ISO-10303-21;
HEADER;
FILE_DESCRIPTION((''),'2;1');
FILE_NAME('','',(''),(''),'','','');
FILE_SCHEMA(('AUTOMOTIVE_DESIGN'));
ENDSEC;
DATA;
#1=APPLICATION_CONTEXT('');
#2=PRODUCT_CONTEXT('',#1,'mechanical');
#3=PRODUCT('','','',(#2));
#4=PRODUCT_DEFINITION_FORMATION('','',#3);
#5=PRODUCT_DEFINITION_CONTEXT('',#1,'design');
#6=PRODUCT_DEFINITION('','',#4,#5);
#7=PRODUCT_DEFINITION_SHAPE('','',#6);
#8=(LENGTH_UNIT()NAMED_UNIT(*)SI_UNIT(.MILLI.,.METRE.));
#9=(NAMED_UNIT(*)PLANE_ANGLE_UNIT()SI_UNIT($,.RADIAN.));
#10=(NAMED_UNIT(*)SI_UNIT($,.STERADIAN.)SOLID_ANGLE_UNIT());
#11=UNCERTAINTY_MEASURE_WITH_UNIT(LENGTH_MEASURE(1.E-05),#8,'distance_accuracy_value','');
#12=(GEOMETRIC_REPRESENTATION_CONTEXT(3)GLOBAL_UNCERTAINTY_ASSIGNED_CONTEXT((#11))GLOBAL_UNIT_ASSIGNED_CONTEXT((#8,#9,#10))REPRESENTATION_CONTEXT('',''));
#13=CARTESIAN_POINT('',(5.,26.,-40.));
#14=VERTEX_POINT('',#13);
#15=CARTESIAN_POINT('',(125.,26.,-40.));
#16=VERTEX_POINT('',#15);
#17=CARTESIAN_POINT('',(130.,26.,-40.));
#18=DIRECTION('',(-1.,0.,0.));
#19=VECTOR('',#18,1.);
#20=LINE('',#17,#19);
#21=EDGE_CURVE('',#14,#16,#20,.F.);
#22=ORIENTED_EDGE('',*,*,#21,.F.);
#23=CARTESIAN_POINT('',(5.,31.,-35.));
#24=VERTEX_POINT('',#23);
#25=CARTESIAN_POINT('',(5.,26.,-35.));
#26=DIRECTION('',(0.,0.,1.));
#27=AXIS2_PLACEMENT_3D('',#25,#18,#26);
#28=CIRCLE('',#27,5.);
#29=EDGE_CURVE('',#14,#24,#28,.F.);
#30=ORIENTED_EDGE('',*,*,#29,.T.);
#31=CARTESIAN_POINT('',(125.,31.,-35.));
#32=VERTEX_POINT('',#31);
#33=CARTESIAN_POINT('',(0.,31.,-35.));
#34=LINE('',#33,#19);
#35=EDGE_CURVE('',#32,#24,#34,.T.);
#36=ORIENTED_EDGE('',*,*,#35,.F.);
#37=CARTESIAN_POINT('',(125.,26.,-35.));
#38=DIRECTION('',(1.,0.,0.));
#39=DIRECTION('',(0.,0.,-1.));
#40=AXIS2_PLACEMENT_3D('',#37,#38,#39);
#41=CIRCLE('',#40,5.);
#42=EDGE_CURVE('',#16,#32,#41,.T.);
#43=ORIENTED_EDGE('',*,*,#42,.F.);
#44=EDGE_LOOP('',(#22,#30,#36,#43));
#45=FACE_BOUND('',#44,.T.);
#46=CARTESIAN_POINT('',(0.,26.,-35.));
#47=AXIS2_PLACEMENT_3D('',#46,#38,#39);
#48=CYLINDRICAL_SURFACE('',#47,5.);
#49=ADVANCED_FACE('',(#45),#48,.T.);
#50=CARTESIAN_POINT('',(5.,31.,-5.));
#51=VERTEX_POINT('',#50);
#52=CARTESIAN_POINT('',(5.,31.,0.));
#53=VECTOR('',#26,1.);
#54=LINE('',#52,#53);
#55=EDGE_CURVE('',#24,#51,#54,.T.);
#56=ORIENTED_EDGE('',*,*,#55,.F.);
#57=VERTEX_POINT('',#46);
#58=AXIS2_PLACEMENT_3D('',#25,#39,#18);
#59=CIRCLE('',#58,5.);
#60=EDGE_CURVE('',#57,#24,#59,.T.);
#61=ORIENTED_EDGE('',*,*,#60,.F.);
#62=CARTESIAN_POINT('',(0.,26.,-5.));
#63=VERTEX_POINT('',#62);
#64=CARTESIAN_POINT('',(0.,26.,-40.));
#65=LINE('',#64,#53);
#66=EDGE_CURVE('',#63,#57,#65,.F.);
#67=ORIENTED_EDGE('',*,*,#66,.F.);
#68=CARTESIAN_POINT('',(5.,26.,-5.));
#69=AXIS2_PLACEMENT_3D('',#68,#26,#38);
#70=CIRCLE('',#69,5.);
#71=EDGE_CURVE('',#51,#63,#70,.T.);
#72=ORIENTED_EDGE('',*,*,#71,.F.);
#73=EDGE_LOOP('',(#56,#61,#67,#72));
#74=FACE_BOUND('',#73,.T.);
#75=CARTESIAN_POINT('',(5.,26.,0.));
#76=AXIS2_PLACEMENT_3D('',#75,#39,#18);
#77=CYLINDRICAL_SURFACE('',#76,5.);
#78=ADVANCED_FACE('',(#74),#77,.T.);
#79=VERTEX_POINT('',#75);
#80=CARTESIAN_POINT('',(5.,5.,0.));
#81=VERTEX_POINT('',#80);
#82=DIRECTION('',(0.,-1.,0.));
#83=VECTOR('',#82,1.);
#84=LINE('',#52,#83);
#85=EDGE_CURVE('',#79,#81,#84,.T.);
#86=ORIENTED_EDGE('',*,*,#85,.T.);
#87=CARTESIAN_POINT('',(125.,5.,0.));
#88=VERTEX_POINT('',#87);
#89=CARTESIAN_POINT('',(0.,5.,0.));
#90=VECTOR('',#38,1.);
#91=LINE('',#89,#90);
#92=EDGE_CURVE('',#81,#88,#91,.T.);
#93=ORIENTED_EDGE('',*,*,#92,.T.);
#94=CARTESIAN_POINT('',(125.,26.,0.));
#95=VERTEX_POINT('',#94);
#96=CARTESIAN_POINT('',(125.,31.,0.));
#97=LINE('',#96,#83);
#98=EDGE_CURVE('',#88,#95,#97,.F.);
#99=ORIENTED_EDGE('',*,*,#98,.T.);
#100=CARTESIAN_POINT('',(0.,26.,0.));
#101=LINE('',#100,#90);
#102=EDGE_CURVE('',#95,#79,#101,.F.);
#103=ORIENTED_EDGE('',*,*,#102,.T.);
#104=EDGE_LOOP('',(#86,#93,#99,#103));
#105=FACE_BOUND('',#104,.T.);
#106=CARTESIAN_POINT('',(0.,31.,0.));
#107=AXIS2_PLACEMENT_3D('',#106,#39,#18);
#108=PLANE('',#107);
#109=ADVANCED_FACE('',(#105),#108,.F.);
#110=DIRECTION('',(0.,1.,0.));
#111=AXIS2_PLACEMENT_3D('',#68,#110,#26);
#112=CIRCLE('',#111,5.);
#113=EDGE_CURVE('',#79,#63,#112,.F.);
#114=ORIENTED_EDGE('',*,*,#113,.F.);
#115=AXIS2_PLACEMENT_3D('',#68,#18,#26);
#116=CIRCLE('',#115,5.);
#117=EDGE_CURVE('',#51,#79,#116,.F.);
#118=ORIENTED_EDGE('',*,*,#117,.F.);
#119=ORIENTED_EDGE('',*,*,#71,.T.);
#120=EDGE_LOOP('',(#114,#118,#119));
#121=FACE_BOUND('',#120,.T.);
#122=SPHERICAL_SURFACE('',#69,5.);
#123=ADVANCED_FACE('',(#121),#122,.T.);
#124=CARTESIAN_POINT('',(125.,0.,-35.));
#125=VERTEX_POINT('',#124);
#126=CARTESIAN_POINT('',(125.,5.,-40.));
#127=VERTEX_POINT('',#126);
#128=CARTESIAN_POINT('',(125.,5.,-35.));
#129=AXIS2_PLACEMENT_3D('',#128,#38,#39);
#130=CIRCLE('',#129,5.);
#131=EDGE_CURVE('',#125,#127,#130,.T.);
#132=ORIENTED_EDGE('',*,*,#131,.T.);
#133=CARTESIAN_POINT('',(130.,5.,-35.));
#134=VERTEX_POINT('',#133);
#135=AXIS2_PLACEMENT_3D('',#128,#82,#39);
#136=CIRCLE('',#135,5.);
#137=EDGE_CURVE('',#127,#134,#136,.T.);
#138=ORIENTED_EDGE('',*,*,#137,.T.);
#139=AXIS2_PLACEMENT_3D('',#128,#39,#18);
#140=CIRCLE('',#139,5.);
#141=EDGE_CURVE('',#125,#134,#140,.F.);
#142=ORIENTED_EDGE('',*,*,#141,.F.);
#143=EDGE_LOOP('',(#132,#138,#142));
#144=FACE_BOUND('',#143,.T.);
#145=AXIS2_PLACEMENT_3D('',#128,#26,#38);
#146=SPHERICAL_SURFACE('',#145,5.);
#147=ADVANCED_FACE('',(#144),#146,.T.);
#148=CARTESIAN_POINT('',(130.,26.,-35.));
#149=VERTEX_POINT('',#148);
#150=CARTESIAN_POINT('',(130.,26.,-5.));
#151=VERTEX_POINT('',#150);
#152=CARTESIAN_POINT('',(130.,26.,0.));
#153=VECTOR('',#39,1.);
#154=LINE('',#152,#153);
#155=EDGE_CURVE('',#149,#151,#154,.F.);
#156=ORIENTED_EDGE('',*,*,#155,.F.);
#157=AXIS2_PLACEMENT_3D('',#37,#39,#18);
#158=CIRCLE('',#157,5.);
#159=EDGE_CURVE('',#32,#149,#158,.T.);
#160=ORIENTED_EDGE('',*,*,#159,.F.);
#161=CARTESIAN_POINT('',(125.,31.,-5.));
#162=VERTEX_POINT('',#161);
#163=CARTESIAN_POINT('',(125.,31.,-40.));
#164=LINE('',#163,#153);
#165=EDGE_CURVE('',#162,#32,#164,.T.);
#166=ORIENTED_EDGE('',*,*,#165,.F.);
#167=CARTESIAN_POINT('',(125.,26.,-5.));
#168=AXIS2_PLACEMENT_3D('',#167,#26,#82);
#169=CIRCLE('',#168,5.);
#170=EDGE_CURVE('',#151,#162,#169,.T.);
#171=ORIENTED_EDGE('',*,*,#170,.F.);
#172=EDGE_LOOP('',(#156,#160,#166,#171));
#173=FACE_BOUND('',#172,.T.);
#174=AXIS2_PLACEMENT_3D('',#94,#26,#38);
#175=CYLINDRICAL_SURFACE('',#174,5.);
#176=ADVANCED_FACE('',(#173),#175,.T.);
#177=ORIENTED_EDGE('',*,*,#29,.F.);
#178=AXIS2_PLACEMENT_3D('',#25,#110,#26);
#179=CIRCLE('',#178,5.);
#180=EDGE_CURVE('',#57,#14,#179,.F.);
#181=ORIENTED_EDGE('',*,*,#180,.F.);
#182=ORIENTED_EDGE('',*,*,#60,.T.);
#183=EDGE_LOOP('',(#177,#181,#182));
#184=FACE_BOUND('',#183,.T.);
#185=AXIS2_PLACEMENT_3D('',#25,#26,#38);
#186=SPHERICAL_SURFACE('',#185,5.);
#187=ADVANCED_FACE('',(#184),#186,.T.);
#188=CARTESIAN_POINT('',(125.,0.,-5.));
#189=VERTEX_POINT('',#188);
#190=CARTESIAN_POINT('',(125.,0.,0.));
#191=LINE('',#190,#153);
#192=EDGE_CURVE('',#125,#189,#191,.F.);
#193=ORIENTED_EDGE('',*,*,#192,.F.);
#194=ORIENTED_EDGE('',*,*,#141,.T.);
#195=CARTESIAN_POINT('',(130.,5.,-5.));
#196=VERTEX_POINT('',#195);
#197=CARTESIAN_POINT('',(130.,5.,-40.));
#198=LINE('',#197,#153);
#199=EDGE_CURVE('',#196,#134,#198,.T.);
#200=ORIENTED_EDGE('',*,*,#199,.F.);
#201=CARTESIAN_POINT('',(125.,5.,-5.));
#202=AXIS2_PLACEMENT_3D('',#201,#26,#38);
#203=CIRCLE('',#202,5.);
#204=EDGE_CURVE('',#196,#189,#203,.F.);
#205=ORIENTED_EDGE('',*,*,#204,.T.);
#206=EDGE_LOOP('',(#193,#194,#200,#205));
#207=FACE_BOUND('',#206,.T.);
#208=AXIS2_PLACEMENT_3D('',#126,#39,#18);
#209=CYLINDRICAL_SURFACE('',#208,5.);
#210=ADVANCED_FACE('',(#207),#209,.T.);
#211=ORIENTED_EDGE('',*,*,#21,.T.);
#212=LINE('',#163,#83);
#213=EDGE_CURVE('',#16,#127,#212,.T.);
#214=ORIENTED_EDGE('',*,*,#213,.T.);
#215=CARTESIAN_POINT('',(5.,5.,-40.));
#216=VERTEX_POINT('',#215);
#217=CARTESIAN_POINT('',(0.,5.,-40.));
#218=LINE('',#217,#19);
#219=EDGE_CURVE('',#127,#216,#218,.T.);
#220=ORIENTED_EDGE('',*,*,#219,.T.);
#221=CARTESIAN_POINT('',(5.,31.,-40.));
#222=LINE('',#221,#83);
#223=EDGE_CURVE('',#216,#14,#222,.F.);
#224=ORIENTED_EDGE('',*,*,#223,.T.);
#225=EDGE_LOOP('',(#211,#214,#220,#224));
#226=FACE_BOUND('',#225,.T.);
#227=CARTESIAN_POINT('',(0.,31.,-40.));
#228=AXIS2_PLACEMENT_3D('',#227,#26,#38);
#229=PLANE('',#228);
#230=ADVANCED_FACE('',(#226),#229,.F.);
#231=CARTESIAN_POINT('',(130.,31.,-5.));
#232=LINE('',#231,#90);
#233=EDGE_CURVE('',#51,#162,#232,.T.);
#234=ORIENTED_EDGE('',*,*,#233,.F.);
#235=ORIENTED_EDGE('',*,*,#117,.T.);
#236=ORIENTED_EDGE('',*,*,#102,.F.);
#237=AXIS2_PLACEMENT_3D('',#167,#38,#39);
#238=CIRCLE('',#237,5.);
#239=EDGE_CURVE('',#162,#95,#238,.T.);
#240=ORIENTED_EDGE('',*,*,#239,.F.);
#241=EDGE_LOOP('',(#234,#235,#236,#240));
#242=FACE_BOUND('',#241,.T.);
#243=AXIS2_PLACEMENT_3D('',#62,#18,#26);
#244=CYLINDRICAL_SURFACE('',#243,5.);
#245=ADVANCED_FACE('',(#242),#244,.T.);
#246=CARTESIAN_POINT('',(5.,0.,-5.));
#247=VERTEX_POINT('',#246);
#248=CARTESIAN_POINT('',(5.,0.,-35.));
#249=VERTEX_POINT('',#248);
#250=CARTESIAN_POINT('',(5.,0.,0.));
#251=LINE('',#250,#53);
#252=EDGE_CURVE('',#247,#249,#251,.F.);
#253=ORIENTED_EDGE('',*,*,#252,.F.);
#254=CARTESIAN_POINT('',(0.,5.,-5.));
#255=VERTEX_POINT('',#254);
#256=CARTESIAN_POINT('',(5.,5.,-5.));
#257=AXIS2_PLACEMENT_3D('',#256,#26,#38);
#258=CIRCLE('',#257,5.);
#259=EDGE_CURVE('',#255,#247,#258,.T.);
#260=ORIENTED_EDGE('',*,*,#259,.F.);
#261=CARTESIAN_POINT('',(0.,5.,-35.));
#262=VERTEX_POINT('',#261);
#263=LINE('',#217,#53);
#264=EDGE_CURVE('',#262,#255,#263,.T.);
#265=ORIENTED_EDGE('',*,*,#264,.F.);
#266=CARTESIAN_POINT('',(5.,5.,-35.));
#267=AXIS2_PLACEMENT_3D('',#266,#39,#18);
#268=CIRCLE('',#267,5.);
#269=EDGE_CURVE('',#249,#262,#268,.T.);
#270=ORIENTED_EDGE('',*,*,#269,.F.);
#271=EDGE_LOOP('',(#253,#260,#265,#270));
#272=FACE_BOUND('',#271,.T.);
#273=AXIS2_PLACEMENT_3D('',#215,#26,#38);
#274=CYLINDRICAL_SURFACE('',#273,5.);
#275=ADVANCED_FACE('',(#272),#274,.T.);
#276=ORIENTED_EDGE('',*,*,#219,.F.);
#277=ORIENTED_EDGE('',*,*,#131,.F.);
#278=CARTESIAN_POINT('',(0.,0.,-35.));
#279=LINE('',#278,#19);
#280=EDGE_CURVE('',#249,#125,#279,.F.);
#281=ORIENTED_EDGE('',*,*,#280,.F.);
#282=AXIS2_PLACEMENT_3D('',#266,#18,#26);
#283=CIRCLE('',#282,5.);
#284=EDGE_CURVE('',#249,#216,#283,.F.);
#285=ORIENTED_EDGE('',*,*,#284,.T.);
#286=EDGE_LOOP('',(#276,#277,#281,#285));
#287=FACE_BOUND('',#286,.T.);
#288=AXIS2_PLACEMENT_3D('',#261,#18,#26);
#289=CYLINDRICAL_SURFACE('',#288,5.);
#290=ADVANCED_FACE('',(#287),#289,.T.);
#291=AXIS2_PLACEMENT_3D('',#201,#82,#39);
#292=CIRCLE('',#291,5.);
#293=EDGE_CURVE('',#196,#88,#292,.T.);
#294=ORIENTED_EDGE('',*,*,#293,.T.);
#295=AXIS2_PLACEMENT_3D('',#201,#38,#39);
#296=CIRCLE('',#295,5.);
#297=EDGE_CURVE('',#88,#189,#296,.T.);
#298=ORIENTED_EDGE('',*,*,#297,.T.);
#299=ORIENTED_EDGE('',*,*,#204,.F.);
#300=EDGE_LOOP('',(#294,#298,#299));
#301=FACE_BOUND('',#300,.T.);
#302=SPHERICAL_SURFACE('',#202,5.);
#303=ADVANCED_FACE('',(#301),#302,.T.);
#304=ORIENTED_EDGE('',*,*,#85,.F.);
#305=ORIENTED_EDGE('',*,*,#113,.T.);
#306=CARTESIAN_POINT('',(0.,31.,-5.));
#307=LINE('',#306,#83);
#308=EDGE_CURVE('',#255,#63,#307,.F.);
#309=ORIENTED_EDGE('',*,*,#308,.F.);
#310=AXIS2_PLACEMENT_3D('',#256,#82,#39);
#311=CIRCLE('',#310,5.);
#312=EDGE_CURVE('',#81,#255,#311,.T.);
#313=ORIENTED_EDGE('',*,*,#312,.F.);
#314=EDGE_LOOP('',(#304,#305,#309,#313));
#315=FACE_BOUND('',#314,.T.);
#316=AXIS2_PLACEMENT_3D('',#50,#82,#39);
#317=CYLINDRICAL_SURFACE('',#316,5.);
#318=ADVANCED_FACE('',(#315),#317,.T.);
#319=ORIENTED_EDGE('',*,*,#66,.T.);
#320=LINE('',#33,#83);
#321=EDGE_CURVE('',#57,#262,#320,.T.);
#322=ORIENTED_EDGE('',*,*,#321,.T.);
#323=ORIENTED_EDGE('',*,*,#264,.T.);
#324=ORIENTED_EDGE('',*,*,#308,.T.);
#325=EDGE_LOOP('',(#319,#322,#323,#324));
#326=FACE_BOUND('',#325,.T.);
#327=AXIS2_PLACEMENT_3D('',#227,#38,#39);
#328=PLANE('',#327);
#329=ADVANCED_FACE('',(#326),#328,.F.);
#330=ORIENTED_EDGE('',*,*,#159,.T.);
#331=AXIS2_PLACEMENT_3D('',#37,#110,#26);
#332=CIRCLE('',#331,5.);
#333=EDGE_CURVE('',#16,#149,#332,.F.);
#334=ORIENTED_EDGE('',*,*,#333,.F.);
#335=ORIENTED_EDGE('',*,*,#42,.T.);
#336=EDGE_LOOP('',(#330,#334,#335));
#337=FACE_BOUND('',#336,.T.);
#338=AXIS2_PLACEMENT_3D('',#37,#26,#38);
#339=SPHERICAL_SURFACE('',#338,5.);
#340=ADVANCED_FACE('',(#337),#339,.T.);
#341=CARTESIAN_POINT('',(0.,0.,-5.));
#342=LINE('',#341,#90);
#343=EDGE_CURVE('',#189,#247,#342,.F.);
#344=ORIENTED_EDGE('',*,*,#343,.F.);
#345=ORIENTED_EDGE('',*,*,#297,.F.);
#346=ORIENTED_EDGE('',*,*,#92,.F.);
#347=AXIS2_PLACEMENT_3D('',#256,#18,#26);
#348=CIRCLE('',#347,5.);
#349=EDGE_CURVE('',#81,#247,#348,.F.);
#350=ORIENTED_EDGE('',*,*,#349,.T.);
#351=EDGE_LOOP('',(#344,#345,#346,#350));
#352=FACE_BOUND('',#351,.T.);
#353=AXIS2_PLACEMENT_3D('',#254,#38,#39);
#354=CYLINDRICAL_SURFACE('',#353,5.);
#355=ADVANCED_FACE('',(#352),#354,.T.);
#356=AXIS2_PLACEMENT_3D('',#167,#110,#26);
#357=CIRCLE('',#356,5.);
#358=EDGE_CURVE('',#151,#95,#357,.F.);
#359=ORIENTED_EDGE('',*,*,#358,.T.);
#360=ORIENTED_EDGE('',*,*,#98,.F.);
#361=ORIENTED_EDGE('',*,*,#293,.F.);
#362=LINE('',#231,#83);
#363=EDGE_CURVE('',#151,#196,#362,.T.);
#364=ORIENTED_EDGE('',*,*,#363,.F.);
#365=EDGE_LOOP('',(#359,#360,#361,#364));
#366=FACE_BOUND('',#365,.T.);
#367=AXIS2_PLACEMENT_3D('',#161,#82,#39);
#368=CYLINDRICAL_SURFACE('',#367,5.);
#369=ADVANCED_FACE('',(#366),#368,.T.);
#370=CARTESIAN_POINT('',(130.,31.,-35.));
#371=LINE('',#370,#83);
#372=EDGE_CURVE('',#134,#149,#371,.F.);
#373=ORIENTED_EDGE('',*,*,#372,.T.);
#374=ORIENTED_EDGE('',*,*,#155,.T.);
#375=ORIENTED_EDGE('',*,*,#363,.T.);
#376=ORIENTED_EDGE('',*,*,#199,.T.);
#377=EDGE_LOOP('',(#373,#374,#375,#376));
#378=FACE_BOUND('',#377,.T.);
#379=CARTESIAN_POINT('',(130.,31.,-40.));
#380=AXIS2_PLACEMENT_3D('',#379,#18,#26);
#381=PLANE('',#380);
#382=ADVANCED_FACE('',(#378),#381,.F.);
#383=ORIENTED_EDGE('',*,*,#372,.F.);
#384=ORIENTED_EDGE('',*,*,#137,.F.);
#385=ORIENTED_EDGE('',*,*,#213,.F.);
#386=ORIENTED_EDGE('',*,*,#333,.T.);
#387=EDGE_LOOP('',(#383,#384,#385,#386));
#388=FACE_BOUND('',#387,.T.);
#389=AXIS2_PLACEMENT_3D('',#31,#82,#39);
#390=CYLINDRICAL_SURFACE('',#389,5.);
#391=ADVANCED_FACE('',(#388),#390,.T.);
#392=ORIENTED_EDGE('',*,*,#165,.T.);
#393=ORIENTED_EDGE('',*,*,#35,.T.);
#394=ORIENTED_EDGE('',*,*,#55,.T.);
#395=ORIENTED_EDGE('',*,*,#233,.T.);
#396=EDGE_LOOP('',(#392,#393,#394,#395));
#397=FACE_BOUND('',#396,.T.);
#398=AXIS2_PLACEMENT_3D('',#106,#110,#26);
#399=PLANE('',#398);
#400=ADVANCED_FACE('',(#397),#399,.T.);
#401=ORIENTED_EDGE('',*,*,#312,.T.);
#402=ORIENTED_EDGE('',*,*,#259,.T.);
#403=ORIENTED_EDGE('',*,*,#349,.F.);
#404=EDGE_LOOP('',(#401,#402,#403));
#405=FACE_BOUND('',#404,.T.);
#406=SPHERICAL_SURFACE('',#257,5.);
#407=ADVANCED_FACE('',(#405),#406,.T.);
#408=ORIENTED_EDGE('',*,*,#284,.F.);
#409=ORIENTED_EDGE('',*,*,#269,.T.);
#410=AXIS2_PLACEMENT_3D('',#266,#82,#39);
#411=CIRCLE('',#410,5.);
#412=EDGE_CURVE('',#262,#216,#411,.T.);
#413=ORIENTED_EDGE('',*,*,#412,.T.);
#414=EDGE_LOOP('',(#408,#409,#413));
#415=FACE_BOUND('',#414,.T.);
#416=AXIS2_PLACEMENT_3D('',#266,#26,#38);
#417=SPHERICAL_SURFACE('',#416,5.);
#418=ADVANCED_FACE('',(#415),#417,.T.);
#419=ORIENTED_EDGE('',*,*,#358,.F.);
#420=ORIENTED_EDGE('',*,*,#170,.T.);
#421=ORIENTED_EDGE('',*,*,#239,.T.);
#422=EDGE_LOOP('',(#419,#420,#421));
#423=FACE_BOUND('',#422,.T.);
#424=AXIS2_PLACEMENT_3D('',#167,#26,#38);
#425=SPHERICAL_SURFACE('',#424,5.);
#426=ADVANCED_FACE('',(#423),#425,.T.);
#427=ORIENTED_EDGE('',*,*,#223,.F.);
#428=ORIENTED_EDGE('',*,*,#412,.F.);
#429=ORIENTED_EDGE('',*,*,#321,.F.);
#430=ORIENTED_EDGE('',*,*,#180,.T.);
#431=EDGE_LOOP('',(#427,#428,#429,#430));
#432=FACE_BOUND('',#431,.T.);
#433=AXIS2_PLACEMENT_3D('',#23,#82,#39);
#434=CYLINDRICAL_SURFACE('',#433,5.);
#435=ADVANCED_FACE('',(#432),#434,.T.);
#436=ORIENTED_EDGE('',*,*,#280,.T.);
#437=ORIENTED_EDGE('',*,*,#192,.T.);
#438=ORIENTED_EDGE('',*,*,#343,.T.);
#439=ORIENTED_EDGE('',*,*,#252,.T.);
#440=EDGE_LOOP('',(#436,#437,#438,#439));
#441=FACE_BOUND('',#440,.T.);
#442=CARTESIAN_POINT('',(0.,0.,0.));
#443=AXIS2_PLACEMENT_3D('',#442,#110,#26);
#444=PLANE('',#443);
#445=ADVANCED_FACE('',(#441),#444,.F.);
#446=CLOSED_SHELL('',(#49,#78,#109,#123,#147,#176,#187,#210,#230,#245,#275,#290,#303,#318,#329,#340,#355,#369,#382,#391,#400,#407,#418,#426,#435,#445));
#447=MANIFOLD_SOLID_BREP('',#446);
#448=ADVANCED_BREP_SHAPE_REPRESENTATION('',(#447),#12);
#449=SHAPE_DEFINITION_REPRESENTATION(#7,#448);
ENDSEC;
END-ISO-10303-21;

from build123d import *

# Parameters (mm, degrees)
SKETCH1_W           = 130
SKETCH1_H           = 40
BOSS_EXTRUDE1_DEPTH = 31
FILLET1_R           = 5


with BuildPart() as part:
    # Sketch1 → Boss-Extrude1 (new body)
    with BuildSketch(Plane(origin=(0, 0, 0), x_dir=(1, 0, 0), z_dir=(0, 1, 0))):
        with Locations((65, 20)):
            Rectangle(SKETCH1_W, SKETCH1_H)
    extrude(amount=BOSS_EXTRUDE1_DEPTH)

    # Fillet1
    fillet1_edges = [part.edges().sort_by_distance(p)[0] for p in [
        (130, 31, -20),
        (65, 31, -40),
        (0, 31, -20),
        (65, 0, -40),
        (130, 0, -20),
        (65, 0, 0),
        (0, 0, -20),
        (0, 15.5, -40),
        (130, 15.5, -40),
        (130, 15.5, 0),
        (0, 15.5, 0),
        (65, 31, 0),
    ]]
    fillet(fillet1_edges, radius=FILLET1_R)


solid = part.part
